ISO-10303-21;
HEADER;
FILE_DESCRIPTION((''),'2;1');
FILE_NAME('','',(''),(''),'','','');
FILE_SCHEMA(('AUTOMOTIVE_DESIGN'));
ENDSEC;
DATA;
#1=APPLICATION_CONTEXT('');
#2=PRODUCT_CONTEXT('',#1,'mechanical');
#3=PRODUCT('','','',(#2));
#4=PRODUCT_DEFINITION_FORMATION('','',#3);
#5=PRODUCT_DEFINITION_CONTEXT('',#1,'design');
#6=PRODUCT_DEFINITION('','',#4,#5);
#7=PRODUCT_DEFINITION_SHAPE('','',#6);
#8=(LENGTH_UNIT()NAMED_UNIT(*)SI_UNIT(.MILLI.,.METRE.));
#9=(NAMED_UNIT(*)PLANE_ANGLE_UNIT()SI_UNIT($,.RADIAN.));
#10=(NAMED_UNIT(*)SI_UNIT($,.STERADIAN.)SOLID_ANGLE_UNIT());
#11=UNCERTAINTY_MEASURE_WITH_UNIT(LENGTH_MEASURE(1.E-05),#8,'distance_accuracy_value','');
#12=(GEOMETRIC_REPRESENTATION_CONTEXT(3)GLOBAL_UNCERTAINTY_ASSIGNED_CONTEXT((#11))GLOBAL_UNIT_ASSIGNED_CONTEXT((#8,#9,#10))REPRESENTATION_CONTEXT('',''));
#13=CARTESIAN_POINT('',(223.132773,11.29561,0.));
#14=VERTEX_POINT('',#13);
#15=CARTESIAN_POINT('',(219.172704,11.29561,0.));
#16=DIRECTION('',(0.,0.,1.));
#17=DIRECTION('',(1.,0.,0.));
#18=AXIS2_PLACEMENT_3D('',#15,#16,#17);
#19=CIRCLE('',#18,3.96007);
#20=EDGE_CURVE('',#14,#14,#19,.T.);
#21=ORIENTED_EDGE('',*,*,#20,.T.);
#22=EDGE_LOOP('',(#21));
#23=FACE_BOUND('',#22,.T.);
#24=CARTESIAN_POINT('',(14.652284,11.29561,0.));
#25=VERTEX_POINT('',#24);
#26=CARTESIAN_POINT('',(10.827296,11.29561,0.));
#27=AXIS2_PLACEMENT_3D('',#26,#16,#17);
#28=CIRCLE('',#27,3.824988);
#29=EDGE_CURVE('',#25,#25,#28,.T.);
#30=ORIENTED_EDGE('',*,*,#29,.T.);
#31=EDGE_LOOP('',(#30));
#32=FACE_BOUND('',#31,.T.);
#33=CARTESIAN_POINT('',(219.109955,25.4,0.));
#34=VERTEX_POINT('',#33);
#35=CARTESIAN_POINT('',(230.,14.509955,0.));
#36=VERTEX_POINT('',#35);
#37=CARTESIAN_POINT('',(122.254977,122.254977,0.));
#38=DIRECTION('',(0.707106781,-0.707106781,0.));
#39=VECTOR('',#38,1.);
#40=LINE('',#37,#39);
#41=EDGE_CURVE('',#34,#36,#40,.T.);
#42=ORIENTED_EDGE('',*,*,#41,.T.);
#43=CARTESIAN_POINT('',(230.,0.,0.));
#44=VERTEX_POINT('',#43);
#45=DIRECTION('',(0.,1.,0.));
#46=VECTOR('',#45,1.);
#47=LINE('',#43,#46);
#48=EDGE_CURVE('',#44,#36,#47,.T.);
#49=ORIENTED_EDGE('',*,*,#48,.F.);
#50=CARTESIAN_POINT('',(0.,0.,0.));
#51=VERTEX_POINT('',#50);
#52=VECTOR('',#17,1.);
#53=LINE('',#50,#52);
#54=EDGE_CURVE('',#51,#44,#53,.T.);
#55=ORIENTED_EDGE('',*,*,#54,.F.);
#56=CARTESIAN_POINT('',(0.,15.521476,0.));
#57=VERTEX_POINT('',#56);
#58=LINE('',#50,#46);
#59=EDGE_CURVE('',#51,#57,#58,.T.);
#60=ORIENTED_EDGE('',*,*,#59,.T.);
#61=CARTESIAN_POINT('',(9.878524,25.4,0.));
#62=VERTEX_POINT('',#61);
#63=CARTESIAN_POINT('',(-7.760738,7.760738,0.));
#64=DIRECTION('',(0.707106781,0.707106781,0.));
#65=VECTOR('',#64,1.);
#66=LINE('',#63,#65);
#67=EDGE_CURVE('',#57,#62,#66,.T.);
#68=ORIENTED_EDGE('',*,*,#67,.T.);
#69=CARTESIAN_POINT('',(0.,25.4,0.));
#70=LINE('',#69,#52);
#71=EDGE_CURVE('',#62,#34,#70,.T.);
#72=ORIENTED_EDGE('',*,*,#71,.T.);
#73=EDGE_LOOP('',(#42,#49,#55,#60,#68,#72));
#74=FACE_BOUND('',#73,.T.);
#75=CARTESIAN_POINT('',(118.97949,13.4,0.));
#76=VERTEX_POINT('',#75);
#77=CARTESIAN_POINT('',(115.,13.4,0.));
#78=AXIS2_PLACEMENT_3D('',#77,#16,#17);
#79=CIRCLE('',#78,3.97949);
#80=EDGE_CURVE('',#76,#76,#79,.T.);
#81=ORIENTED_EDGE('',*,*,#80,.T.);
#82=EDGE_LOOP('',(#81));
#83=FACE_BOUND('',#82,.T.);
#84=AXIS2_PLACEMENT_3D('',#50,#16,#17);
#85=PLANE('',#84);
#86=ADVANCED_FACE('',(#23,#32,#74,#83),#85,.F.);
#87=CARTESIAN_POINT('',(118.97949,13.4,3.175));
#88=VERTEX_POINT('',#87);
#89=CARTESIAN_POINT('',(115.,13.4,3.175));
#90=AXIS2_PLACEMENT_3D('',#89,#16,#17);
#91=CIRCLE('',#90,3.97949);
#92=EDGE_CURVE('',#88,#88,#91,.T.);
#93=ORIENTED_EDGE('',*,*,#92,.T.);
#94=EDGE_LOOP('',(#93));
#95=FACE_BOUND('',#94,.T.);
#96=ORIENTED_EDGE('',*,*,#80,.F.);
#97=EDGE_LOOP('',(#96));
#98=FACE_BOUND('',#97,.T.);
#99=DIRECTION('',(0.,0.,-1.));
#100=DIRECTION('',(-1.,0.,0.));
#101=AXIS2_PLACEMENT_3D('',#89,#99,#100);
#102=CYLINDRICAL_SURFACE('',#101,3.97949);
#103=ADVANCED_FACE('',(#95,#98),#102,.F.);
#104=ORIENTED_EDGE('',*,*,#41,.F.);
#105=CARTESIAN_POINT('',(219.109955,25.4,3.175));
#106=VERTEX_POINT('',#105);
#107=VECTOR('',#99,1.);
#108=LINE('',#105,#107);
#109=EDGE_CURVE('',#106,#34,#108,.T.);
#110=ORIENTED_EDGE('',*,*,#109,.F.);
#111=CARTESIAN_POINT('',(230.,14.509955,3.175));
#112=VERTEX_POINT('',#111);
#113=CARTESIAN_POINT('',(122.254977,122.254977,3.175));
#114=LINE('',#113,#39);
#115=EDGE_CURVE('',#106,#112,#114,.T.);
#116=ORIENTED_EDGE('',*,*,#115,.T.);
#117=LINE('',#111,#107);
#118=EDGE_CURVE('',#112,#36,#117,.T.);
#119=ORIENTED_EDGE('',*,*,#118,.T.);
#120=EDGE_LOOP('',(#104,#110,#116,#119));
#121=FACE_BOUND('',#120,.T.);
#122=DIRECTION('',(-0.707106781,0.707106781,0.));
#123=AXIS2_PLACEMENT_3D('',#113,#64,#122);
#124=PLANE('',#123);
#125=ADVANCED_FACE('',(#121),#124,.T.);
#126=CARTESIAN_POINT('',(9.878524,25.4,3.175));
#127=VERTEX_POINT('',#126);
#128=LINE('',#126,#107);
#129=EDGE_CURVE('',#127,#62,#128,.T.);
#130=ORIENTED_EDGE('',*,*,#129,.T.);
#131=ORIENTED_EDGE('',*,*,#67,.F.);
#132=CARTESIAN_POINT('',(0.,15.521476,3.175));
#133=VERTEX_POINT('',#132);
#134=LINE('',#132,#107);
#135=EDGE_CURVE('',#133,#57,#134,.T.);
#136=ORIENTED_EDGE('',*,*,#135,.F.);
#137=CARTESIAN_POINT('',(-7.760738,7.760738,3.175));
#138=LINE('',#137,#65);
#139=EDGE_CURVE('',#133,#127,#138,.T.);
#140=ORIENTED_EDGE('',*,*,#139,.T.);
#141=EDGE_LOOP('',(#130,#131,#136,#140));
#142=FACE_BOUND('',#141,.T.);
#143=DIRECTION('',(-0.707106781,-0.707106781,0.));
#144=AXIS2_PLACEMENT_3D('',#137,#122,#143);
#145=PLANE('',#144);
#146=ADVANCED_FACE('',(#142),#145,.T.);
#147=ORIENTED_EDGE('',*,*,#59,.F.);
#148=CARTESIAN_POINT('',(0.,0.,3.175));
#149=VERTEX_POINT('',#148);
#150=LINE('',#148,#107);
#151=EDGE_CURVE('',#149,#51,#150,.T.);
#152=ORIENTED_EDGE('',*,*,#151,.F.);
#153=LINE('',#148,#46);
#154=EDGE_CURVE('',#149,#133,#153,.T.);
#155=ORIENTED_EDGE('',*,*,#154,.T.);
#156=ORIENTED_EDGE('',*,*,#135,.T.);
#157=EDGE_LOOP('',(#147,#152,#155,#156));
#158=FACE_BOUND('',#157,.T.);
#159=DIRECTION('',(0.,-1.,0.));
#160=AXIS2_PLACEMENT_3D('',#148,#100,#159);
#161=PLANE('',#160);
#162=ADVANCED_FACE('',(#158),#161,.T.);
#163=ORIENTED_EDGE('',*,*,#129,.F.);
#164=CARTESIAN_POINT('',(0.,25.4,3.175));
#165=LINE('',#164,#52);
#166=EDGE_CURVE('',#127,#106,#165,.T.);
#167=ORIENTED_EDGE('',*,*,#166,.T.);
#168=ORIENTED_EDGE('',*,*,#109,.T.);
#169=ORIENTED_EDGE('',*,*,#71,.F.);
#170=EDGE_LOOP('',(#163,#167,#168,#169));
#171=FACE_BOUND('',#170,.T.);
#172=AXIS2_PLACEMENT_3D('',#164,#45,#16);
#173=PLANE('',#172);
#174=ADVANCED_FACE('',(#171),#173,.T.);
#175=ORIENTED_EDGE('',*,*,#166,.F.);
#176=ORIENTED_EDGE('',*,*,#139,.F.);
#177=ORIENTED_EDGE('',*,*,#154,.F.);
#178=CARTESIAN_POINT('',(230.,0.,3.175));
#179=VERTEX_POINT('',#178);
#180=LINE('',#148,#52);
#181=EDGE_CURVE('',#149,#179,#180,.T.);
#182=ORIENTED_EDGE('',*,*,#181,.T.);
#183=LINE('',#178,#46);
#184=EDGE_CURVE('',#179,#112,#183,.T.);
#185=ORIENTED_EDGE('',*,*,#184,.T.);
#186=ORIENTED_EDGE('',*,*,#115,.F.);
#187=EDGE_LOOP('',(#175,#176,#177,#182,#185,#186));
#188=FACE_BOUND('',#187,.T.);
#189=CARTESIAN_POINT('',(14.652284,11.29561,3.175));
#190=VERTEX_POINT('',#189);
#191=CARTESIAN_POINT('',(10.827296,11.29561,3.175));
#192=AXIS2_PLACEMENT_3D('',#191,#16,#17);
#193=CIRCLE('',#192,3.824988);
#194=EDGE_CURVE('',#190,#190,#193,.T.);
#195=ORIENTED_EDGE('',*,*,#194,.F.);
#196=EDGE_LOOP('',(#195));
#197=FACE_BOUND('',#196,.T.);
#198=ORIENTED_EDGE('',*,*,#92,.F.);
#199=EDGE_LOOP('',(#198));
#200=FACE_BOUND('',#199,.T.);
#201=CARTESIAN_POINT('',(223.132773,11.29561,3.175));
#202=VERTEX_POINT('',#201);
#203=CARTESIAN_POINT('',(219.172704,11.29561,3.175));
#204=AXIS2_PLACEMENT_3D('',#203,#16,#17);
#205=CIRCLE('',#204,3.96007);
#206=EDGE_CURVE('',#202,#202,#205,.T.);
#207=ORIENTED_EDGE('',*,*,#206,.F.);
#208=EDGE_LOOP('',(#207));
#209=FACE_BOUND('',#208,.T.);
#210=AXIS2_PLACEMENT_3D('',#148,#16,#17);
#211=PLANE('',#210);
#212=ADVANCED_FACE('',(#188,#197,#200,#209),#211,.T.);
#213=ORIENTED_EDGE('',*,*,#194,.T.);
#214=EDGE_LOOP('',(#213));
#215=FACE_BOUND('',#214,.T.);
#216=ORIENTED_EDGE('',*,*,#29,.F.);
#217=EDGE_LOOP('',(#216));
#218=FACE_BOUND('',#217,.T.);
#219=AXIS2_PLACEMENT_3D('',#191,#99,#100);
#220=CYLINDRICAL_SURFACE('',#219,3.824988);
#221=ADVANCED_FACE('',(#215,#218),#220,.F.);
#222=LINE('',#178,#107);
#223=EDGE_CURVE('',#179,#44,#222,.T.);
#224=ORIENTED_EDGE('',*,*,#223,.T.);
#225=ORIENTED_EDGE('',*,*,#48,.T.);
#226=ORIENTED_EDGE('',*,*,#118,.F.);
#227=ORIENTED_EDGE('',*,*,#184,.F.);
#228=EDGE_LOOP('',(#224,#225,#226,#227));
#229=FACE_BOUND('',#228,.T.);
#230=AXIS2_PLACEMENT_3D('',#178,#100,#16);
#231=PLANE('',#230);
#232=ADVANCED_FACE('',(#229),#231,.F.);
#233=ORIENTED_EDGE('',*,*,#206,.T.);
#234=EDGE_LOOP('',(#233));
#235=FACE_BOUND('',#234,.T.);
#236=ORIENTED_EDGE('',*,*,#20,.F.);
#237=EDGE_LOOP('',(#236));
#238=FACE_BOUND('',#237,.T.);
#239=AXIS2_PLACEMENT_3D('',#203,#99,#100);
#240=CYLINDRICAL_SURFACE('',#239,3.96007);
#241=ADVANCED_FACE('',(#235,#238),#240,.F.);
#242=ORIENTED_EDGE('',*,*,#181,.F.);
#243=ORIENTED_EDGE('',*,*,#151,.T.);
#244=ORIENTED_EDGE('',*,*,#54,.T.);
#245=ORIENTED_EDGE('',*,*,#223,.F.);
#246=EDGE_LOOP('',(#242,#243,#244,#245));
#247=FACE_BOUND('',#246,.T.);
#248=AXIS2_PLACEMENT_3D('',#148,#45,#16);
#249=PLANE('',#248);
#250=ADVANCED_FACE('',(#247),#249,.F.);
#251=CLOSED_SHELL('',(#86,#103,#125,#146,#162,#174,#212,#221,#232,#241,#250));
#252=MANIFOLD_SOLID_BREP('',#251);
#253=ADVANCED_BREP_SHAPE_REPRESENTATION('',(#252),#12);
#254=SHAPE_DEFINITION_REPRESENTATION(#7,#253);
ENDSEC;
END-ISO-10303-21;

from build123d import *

# Parameters (mm, degrees)
SKETCH2_R           = 3.824987574
SKETCH2_R_2         = 3.960069723
SKETCH2_R_3         = 3.979490197
BOSS_EXTRUDE1_DEPTH = 3.175


with BuildPart() as part:
    # Sketch2 → Boss-Extrude1 (new body)
    with BuildSketch(Plane.XY):
        Polygon((9.878524394, 25.4), (0, 15.521475606), (0, 0), (230, 0), (230, 14.509954572), (219.109954572, 25.4), align=None)
        with Locations((10.82729629, 11.29561028)):
            Circle(SKETCH2_R, mode=Mode.SUBTRACT)
        with Locations((219.17270371, 11.29561028)):
            Circle(SKETCH2_R_2, mode=Mode.SUBTRACT)
        with Locations((115, 13.4)):
            Circle(SKETCH2_R_3, mode=Mode.SUBTRACT)
    extrude(amount=BOSS_EXTRUDE1_DEPTH)


solid = part.part
